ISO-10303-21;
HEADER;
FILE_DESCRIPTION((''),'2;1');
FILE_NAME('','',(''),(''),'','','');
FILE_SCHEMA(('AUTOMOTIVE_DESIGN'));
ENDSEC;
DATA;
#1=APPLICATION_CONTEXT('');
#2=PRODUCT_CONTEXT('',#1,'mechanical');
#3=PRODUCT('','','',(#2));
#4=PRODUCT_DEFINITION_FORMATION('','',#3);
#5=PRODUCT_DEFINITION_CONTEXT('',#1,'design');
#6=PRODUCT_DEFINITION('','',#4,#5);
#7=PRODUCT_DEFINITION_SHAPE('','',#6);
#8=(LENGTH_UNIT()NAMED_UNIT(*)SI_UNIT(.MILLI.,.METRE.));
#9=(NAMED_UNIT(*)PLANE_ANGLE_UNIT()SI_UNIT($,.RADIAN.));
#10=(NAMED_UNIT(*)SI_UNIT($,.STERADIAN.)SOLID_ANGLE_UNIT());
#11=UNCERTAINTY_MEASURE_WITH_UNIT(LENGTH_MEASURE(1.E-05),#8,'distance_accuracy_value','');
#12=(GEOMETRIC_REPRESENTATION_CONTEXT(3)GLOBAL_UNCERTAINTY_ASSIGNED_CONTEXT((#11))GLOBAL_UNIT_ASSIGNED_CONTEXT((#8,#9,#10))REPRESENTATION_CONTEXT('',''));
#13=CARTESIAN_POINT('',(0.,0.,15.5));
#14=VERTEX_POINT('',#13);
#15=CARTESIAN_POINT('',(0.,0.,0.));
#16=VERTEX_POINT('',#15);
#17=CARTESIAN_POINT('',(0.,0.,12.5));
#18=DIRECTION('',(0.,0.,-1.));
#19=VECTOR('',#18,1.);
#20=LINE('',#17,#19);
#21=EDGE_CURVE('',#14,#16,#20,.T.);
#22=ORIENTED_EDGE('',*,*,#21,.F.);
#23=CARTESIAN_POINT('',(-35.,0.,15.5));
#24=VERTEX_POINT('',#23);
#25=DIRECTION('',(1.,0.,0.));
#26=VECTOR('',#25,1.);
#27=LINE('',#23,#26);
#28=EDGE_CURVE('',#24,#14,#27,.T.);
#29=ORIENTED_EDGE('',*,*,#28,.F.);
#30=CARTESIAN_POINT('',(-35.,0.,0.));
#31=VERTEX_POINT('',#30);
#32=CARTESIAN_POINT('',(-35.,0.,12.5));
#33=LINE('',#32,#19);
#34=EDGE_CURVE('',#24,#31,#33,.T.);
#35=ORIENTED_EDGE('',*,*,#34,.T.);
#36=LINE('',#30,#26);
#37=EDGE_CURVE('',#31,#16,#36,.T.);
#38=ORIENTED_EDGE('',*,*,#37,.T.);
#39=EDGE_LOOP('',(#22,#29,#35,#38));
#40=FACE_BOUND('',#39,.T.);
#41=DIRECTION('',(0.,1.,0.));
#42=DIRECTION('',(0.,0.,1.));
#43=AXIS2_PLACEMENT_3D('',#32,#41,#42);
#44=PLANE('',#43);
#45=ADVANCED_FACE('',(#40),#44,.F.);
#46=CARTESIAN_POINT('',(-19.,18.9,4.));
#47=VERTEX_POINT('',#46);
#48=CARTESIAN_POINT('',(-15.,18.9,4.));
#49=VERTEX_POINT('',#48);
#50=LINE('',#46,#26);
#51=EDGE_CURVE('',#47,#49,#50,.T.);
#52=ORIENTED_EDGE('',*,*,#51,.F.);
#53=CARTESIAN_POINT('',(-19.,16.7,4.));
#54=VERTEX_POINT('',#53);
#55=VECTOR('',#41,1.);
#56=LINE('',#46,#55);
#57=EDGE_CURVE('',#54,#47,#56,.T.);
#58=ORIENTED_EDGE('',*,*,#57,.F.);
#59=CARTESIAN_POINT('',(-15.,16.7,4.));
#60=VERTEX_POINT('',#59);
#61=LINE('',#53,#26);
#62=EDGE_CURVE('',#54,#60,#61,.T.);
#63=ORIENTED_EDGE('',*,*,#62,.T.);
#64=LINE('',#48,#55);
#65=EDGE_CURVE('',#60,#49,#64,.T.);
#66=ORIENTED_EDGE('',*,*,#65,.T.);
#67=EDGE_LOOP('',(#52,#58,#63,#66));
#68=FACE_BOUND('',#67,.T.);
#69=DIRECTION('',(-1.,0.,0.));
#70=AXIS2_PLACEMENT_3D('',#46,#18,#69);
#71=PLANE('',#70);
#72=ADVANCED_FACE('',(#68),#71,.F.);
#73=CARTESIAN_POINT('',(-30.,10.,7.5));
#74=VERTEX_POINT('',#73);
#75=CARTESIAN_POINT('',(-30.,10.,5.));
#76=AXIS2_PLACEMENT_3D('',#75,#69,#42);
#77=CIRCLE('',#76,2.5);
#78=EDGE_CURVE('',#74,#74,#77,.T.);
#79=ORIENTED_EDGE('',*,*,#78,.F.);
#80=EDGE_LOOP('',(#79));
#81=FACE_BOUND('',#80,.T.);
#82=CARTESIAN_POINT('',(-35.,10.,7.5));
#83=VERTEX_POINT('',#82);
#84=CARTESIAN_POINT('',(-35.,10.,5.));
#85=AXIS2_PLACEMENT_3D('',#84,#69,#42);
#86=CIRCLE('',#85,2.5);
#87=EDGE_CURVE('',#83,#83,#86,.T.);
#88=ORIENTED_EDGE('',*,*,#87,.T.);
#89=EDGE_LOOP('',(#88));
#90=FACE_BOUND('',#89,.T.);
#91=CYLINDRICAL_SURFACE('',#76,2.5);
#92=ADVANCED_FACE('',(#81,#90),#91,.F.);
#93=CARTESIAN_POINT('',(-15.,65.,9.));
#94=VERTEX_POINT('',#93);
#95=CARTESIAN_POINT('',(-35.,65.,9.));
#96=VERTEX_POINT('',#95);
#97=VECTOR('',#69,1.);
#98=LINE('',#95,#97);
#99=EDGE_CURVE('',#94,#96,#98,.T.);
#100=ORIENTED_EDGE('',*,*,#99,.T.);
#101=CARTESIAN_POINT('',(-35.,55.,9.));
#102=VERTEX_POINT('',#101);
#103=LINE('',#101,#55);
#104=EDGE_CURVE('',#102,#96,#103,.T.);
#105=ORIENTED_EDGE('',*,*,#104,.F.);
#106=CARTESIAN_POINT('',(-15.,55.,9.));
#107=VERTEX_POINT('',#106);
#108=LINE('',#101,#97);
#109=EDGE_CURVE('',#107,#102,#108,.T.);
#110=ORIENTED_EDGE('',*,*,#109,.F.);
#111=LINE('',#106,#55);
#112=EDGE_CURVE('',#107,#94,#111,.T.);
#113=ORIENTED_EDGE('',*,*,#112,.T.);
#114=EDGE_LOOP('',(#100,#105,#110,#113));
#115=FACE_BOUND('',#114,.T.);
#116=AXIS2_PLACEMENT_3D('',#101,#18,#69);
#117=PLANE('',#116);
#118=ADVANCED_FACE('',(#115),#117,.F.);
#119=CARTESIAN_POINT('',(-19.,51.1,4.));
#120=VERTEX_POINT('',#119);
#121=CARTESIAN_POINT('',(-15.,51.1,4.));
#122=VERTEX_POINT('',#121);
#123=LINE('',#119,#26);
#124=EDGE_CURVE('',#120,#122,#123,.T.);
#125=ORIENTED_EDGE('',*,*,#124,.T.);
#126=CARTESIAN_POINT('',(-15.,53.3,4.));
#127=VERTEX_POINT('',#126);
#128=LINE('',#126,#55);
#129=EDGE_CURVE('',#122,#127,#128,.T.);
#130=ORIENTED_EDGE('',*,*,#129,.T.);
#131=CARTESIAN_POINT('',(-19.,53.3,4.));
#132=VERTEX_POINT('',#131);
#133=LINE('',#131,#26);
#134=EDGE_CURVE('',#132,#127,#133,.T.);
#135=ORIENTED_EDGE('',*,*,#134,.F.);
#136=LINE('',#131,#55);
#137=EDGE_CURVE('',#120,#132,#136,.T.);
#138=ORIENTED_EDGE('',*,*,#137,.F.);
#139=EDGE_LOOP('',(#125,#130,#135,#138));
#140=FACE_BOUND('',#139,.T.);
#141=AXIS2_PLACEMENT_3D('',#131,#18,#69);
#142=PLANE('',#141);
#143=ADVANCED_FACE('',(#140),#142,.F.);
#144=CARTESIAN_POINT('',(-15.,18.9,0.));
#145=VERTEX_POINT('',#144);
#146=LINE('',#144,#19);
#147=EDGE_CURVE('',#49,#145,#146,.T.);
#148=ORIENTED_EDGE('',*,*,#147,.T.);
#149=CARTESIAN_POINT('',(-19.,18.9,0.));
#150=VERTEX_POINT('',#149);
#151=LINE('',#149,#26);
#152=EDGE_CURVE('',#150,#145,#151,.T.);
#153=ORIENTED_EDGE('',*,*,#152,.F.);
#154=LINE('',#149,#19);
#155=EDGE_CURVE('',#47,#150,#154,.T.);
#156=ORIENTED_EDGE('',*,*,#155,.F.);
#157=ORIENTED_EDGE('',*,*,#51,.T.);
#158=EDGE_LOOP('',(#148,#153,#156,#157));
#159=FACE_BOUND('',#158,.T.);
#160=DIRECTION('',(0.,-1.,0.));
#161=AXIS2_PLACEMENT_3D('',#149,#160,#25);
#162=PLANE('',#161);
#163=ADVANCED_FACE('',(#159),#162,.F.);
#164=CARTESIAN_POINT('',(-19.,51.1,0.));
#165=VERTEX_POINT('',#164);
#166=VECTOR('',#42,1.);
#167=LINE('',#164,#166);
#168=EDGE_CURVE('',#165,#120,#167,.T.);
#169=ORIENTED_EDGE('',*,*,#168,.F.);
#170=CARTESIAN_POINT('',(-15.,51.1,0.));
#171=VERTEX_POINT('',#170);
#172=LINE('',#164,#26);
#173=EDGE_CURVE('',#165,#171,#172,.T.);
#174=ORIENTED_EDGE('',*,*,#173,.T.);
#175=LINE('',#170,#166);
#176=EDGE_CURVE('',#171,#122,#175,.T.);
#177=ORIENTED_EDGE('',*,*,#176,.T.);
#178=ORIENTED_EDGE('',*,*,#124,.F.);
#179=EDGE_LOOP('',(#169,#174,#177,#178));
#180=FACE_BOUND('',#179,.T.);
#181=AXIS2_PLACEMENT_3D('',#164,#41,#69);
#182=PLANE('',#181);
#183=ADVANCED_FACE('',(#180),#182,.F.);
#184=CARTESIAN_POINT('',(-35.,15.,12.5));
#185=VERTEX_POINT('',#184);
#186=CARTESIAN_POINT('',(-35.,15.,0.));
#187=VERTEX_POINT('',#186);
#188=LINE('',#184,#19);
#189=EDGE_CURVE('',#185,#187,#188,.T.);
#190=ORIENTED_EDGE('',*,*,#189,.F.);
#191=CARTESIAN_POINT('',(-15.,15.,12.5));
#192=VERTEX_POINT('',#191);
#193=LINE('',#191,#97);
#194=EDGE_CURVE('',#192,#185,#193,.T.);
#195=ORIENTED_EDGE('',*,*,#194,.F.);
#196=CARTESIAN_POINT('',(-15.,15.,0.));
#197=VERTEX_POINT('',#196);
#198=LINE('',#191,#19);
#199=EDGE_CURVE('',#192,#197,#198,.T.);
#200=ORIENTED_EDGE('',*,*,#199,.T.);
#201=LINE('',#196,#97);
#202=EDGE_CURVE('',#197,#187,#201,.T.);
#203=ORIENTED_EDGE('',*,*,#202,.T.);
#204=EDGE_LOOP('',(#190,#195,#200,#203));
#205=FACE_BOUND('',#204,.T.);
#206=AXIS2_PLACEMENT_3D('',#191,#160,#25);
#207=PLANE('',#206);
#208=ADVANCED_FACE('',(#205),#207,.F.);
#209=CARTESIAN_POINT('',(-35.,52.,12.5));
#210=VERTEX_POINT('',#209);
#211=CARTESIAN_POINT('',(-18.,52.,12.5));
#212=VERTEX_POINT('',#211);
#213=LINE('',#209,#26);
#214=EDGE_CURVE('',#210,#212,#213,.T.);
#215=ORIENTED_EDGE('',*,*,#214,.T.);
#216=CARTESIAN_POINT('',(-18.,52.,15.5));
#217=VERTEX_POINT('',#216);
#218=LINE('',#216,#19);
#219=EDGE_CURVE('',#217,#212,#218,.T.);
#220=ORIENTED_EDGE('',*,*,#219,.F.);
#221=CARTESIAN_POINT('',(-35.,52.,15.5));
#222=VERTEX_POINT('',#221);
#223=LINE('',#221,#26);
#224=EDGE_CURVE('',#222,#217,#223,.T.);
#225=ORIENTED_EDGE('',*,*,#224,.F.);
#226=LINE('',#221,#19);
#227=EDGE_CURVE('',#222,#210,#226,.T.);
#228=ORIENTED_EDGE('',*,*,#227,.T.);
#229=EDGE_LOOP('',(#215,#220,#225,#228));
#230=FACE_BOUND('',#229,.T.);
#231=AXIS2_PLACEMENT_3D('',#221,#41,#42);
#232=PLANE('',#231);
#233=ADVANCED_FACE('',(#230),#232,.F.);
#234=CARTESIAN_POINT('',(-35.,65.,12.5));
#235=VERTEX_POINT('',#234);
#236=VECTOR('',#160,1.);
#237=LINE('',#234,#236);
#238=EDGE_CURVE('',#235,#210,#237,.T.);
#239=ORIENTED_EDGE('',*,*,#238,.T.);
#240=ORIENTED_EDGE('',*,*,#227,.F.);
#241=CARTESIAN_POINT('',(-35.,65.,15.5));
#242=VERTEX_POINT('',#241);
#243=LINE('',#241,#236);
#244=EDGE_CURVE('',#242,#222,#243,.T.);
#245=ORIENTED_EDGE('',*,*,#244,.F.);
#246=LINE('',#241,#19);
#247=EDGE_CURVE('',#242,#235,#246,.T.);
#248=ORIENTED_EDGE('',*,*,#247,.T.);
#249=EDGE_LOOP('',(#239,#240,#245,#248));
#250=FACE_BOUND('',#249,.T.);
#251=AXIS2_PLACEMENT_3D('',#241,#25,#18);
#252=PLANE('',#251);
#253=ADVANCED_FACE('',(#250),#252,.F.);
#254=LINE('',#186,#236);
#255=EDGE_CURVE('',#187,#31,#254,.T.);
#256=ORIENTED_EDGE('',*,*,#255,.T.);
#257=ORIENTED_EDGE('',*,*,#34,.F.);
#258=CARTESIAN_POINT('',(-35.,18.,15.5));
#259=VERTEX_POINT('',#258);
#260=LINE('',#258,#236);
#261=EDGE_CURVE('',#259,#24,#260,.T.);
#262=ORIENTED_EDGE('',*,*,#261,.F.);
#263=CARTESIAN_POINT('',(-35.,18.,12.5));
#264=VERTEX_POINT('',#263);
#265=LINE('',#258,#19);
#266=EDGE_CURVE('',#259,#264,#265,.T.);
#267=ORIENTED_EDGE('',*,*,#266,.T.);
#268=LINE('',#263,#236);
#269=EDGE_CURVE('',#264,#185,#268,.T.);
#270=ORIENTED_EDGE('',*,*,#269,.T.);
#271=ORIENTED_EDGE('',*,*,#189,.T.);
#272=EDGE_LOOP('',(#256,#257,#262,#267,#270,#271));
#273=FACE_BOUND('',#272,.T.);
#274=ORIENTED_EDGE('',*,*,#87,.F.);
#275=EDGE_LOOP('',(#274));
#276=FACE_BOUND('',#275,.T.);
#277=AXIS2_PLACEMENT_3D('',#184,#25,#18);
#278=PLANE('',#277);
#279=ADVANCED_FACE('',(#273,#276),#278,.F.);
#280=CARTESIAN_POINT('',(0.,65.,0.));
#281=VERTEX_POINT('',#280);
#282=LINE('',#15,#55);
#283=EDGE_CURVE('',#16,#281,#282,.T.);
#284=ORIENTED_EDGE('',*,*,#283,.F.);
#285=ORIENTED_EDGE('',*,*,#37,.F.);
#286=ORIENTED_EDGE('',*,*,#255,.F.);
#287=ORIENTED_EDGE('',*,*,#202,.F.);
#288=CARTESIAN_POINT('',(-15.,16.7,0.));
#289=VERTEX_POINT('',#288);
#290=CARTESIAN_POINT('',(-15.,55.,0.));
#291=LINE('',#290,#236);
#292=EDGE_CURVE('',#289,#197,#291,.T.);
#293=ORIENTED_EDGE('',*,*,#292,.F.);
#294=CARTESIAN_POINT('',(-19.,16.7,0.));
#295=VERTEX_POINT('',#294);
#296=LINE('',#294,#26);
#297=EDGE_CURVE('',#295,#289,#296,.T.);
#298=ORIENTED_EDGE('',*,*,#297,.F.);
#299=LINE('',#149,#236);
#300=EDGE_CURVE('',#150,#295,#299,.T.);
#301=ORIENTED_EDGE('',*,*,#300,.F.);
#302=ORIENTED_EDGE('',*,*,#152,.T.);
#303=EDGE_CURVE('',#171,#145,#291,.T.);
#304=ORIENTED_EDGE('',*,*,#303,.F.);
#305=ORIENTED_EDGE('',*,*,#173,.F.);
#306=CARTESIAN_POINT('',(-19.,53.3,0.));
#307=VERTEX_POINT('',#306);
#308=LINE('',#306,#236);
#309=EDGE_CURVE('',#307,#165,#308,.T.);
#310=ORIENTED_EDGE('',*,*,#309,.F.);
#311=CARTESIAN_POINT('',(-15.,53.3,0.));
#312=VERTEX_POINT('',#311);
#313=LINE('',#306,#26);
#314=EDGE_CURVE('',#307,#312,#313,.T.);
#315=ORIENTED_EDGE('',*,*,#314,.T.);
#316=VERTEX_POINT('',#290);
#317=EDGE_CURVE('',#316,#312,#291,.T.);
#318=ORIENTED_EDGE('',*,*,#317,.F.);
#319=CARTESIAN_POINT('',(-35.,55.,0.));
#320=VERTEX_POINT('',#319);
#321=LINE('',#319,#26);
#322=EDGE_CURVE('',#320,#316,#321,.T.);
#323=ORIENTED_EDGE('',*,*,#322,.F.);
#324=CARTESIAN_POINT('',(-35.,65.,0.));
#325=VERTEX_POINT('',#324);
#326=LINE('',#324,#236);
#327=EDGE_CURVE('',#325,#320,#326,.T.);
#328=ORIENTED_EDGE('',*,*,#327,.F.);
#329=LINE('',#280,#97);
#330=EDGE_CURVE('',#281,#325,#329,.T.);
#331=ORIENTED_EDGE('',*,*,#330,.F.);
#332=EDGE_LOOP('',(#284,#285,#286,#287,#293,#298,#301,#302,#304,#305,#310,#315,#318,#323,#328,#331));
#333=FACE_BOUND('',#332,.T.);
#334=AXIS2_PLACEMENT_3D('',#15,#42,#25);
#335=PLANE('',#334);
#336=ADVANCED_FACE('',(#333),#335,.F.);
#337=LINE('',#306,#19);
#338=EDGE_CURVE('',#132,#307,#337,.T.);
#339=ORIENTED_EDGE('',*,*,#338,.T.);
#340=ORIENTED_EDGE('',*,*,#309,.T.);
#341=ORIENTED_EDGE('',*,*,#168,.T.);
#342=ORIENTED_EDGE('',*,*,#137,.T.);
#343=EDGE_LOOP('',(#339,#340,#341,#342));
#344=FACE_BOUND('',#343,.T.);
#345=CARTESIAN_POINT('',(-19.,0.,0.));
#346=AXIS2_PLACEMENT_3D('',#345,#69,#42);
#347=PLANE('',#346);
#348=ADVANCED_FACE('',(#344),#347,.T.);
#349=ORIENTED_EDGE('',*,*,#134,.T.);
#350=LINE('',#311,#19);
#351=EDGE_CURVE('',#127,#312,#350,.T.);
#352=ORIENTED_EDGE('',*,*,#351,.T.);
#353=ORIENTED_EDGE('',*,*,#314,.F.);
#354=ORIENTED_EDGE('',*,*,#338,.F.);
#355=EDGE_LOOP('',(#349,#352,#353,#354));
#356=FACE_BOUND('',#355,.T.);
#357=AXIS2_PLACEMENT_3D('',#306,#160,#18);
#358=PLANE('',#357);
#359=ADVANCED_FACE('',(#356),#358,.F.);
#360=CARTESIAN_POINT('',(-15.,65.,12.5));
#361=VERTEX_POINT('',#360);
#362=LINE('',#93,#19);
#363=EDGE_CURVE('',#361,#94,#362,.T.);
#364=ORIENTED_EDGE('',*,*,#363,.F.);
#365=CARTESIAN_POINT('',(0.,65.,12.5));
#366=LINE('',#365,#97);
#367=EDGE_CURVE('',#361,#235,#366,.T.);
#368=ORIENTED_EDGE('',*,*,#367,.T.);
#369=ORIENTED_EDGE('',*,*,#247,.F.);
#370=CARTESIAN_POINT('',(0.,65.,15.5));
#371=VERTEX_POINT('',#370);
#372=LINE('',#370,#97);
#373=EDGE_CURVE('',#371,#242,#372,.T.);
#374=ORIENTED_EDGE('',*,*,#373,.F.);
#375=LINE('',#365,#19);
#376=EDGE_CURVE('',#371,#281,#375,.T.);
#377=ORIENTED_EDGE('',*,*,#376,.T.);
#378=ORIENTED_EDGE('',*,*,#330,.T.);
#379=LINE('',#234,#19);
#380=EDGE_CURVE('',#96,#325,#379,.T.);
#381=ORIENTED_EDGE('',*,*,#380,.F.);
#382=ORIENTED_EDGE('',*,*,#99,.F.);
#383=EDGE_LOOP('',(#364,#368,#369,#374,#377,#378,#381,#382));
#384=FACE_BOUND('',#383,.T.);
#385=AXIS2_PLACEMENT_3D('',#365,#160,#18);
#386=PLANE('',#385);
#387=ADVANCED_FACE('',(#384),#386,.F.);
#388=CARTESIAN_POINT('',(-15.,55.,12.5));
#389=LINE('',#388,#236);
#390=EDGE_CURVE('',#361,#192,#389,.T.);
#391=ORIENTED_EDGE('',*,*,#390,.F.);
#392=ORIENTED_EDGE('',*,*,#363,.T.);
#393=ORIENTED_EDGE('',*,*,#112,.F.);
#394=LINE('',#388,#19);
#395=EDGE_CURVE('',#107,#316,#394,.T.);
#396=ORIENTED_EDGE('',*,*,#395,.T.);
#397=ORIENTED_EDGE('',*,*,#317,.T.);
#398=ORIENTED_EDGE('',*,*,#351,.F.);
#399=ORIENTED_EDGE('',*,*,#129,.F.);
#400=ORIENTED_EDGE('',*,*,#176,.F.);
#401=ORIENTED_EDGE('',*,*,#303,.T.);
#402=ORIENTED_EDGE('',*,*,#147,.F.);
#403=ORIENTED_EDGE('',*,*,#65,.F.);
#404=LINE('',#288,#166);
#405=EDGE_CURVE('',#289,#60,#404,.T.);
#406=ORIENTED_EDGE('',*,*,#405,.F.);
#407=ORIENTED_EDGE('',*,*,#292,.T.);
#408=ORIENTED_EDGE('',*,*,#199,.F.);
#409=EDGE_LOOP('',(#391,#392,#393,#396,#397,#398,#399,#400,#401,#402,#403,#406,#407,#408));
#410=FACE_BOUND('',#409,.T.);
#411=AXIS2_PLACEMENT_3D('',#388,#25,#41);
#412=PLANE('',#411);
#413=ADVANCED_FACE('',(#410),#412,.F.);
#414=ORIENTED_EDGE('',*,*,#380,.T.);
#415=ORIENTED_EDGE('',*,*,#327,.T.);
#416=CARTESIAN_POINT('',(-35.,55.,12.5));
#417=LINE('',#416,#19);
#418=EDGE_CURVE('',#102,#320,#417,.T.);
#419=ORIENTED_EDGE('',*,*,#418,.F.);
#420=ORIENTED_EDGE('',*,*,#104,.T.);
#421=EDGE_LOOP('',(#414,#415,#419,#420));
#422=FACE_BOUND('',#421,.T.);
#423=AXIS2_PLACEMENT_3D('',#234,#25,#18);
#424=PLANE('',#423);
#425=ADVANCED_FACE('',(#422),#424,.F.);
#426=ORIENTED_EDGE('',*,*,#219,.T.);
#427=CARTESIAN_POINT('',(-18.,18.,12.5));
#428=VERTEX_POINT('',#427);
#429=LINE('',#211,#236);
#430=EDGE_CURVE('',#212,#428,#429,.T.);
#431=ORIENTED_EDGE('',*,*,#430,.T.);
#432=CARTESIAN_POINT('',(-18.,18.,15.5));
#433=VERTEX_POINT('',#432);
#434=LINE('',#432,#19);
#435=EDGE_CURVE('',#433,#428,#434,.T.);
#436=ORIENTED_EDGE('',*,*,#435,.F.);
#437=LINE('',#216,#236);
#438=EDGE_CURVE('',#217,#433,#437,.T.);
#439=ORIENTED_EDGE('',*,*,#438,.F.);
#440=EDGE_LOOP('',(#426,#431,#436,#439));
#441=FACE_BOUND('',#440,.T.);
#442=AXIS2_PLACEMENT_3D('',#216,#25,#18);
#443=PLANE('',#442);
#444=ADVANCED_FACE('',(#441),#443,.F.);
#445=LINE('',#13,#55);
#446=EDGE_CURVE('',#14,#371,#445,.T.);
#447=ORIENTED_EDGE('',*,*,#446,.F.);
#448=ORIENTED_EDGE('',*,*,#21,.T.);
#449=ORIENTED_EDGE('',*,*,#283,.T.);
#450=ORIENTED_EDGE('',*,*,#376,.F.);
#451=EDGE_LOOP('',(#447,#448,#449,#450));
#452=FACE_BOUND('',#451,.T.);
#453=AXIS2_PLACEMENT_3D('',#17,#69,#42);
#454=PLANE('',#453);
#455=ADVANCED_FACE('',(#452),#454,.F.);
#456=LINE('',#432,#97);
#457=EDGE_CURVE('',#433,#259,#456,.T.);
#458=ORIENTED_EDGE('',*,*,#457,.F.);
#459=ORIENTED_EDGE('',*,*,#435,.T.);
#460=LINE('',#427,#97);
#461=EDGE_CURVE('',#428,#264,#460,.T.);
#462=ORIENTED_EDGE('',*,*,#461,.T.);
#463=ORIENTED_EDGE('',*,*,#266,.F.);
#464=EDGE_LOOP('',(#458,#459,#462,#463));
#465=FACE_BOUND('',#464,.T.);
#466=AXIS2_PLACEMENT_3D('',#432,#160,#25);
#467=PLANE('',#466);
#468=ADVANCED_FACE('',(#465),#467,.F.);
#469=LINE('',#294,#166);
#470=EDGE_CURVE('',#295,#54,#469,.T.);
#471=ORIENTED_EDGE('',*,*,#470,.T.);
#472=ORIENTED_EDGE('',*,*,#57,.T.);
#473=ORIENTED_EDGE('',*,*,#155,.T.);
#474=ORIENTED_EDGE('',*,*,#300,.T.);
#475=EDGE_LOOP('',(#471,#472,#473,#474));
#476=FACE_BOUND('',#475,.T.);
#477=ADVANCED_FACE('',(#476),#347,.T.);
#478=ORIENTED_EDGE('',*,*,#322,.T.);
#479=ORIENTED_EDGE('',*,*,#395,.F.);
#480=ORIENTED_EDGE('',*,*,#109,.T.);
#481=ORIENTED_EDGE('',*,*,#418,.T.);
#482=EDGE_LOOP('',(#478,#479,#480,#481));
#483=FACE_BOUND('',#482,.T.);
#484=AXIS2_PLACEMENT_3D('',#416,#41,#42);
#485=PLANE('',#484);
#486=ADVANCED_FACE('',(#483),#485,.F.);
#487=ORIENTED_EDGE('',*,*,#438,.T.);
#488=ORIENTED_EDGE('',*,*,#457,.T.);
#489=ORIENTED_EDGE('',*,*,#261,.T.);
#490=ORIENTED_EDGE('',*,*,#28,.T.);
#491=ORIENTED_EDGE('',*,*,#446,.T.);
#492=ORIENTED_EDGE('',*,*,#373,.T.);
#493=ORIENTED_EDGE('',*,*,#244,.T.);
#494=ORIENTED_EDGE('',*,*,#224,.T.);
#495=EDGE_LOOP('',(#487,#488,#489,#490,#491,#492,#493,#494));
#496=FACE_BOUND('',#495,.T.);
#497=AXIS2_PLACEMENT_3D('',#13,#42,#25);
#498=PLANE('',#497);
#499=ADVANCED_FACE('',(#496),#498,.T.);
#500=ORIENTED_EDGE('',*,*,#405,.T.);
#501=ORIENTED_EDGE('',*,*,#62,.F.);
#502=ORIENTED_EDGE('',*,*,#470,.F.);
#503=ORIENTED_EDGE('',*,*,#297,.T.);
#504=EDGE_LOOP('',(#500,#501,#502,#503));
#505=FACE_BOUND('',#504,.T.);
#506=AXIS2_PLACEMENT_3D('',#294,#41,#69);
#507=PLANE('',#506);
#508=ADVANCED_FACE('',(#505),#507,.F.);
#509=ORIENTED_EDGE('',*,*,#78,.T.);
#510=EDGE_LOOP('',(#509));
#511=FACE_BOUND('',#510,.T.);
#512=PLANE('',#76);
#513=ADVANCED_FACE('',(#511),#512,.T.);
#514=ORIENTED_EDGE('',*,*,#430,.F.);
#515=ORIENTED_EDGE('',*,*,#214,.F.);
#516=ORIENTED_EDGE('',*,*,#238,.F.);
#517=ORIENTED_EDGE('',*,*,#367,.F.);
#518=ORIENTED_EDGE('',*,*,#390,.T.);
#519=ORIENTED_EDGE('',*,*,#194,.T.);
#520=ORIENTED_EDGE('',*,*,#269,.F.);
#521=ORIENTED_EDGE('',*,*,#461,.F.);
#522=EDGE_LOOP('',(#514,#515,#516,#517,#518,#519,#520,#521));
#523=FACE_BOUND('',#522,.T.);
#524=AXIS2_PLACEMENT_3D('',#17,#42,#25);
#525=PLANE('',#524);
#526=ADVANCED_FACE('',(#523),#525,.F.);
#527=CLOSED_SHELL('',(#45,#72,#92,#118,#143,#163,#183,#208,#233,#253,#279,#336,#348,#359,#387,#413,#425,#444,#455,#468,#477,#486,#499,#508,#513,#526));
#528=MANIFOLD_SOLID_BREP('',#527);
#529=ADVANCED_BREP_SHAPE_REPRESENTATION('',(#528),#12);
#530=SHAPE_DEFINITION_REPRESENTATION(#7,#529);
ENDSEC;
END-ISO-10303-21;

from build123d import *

# Parameters (mm, degrees)
BOSS_EXTRUDE1_DEPTH = 12.5
SKETCH2_W           = 20
SKETCH2_H           = 3.5
CUT_EXTRUDE1_DEPTH  = 10
BOSS_EXTRUDE2_DEPTH = 3
SKETCH4_R           = 2.5
CUT_EXTRUDE2_DEPTH  = 5
SKETCH5_W           = 4
SKETCH5_H           = 2.2
BOSS_EXTRUDE3_DEPTH = 4


with BuildPart() as part:
    # Sketch1 → Boss-Extrude1 (new body)
    with BuildSketch(Plane.XY):
        Polygon((0, 0), (0, 65), (-35, 65), (-35, 55), (-15, 55), (-15, 15), (-35, 15), (-35, 0), align=None)
    extrude(amount=BOSS_EXTRUDE1_DEPTH)

    # Sketch2 → Cut-Extrude1 (cut)
    with BuildSketch(Plane(origin=(0, 65, 0), x_dir=(1, 0, 0), z_dir=(0, 1, 0))):
        with Locations((-25, -10.75)):
            Rectangle(SKETCH2_W, SKETCH2_H)
    extrude(amount=-CUT_EXTRUDE1_DEPTH, mode=Mode.SUBTRACT)

    # Sketch3 → Boss-Extrude2 (add)
    with BuildSketch(Plane.XY.offset(12.5)):
        Polygon((-35, 0), (0, 0), (0, 65), (-35, 65), (-35, 52), (-18, 52), (-18, 18), (-35, 18), align=None)
    extrude(amount=BOSS_EXTRUDE2_DEPTH)

    # Sketch4 → Cut-Extrude2 (cut)
    with BuildSketch(Plane.ZY.offset(35)):
        with Locations((5, 10)):
            Circle(SKETCH4_R)
    extrude(amount=-CUT_EXTRUDE2_DEPTH, mode=Mode.SUBTRACT)

    # Sketch5 → Boss-Extrude3 (add)
    with BuildSketch(Plane.ZY.offset(15)):
        with Locations((2, 17.8)):
            Rectangle(SKETCH5_W, SKETCH5_H)
        with Locations((2, 52.2)):
            Rectangle(SKETCH5_W, SKETCH5_H)
    extrude(amount=BOSS_EXTRUDE3_DEPTH)


solid = part.part
